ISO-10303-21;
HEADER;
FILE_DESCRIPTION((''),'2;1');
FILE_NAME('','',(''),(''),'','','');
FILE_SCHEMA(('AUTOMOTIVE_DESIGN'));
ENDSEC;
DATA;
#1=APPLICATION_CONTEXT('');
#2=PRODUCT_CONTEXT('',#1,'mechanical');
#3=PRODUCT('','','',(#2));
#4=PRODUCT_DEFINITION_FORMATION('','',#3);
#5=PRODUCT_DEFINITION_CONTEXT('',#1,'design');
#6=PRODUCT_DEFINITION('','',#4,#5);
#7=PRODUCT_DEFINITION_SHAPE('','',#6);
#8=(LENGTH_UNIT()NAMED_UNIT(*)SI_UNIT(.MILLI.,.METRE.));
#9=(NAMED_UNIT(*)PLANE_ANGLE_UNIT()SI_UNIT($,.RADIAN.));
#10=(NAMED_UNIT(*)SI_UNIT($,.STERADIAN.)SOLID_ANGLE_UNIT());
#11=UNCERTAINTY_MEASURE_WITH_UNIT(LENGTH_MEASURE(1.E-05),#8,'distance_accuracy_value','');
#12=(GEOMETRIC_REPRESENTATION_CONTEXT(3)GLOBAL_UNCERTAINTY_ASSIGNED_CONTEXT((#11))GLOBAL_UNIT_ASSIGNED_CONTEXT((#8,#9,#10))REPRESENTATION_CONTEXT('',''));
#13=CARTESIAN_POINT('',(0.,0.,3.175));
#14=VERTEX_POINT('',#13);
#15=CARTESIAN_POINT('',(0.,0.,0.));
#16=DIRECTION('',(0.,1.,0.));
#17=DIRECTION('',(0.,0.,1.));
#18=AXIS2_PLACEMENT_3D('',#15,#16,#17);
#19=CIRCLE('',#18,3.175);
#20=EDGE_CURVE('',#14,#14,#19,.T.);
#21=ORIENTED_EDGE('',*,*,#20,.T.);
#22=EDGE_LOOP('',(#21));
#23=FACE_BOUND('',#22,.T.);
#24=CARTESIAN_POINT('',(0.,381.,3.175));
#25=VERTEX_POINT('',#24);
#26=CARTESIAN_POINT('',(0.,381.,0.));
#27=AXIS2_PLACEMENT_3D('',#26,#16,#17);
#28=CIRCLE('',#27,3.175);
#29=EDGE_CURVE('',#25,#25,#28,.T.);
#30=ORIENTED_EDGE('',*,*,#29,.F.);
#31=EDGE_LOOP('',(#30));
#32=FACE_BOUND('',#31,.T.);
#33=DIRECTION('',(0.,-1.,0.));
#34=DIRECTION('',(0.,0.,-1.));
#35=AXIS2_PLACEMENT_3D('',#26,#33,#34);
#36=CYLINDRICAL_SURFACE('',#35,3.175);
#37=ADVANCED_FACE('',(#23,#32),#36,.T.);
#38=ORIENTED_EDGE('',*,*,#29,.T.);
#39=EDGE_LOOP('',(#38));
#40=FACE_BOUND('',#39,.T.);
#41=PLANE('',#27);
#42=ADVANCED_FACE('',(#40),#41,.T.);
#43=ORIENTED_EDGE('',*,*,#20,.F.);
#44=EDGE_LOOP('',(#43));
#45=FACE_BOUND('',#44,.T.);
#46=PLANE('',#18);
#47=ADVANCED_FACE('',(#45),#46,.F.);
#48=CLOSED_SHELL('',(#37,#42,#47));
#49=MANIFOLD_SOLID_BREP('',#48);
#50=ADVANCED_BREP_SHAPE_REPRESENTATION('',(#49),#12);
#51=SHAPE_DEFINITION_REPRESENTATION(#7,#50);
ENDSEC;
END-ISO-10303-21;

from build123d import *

# Parameters (mm, degrees)
SKETCH1_R           = 3.175
BOSS_EXTRUDE1_DEPTH = 381


with BuildPart() as part:
    # Sketch1 → Boss-Extrude1 (new body)
    with BuildSketch(Plane(origin=(0, 0, 0), x_dir=(1, 0, 0), z_dir=(0, 1, 0))):
        with Locations(Location((0, 0, 0), (0, 0, 270))):
            Circle(SKETCH1_R)
    extrude(amount=BOSS_EXTRUDE1_DEPTH)


solid = part.part
